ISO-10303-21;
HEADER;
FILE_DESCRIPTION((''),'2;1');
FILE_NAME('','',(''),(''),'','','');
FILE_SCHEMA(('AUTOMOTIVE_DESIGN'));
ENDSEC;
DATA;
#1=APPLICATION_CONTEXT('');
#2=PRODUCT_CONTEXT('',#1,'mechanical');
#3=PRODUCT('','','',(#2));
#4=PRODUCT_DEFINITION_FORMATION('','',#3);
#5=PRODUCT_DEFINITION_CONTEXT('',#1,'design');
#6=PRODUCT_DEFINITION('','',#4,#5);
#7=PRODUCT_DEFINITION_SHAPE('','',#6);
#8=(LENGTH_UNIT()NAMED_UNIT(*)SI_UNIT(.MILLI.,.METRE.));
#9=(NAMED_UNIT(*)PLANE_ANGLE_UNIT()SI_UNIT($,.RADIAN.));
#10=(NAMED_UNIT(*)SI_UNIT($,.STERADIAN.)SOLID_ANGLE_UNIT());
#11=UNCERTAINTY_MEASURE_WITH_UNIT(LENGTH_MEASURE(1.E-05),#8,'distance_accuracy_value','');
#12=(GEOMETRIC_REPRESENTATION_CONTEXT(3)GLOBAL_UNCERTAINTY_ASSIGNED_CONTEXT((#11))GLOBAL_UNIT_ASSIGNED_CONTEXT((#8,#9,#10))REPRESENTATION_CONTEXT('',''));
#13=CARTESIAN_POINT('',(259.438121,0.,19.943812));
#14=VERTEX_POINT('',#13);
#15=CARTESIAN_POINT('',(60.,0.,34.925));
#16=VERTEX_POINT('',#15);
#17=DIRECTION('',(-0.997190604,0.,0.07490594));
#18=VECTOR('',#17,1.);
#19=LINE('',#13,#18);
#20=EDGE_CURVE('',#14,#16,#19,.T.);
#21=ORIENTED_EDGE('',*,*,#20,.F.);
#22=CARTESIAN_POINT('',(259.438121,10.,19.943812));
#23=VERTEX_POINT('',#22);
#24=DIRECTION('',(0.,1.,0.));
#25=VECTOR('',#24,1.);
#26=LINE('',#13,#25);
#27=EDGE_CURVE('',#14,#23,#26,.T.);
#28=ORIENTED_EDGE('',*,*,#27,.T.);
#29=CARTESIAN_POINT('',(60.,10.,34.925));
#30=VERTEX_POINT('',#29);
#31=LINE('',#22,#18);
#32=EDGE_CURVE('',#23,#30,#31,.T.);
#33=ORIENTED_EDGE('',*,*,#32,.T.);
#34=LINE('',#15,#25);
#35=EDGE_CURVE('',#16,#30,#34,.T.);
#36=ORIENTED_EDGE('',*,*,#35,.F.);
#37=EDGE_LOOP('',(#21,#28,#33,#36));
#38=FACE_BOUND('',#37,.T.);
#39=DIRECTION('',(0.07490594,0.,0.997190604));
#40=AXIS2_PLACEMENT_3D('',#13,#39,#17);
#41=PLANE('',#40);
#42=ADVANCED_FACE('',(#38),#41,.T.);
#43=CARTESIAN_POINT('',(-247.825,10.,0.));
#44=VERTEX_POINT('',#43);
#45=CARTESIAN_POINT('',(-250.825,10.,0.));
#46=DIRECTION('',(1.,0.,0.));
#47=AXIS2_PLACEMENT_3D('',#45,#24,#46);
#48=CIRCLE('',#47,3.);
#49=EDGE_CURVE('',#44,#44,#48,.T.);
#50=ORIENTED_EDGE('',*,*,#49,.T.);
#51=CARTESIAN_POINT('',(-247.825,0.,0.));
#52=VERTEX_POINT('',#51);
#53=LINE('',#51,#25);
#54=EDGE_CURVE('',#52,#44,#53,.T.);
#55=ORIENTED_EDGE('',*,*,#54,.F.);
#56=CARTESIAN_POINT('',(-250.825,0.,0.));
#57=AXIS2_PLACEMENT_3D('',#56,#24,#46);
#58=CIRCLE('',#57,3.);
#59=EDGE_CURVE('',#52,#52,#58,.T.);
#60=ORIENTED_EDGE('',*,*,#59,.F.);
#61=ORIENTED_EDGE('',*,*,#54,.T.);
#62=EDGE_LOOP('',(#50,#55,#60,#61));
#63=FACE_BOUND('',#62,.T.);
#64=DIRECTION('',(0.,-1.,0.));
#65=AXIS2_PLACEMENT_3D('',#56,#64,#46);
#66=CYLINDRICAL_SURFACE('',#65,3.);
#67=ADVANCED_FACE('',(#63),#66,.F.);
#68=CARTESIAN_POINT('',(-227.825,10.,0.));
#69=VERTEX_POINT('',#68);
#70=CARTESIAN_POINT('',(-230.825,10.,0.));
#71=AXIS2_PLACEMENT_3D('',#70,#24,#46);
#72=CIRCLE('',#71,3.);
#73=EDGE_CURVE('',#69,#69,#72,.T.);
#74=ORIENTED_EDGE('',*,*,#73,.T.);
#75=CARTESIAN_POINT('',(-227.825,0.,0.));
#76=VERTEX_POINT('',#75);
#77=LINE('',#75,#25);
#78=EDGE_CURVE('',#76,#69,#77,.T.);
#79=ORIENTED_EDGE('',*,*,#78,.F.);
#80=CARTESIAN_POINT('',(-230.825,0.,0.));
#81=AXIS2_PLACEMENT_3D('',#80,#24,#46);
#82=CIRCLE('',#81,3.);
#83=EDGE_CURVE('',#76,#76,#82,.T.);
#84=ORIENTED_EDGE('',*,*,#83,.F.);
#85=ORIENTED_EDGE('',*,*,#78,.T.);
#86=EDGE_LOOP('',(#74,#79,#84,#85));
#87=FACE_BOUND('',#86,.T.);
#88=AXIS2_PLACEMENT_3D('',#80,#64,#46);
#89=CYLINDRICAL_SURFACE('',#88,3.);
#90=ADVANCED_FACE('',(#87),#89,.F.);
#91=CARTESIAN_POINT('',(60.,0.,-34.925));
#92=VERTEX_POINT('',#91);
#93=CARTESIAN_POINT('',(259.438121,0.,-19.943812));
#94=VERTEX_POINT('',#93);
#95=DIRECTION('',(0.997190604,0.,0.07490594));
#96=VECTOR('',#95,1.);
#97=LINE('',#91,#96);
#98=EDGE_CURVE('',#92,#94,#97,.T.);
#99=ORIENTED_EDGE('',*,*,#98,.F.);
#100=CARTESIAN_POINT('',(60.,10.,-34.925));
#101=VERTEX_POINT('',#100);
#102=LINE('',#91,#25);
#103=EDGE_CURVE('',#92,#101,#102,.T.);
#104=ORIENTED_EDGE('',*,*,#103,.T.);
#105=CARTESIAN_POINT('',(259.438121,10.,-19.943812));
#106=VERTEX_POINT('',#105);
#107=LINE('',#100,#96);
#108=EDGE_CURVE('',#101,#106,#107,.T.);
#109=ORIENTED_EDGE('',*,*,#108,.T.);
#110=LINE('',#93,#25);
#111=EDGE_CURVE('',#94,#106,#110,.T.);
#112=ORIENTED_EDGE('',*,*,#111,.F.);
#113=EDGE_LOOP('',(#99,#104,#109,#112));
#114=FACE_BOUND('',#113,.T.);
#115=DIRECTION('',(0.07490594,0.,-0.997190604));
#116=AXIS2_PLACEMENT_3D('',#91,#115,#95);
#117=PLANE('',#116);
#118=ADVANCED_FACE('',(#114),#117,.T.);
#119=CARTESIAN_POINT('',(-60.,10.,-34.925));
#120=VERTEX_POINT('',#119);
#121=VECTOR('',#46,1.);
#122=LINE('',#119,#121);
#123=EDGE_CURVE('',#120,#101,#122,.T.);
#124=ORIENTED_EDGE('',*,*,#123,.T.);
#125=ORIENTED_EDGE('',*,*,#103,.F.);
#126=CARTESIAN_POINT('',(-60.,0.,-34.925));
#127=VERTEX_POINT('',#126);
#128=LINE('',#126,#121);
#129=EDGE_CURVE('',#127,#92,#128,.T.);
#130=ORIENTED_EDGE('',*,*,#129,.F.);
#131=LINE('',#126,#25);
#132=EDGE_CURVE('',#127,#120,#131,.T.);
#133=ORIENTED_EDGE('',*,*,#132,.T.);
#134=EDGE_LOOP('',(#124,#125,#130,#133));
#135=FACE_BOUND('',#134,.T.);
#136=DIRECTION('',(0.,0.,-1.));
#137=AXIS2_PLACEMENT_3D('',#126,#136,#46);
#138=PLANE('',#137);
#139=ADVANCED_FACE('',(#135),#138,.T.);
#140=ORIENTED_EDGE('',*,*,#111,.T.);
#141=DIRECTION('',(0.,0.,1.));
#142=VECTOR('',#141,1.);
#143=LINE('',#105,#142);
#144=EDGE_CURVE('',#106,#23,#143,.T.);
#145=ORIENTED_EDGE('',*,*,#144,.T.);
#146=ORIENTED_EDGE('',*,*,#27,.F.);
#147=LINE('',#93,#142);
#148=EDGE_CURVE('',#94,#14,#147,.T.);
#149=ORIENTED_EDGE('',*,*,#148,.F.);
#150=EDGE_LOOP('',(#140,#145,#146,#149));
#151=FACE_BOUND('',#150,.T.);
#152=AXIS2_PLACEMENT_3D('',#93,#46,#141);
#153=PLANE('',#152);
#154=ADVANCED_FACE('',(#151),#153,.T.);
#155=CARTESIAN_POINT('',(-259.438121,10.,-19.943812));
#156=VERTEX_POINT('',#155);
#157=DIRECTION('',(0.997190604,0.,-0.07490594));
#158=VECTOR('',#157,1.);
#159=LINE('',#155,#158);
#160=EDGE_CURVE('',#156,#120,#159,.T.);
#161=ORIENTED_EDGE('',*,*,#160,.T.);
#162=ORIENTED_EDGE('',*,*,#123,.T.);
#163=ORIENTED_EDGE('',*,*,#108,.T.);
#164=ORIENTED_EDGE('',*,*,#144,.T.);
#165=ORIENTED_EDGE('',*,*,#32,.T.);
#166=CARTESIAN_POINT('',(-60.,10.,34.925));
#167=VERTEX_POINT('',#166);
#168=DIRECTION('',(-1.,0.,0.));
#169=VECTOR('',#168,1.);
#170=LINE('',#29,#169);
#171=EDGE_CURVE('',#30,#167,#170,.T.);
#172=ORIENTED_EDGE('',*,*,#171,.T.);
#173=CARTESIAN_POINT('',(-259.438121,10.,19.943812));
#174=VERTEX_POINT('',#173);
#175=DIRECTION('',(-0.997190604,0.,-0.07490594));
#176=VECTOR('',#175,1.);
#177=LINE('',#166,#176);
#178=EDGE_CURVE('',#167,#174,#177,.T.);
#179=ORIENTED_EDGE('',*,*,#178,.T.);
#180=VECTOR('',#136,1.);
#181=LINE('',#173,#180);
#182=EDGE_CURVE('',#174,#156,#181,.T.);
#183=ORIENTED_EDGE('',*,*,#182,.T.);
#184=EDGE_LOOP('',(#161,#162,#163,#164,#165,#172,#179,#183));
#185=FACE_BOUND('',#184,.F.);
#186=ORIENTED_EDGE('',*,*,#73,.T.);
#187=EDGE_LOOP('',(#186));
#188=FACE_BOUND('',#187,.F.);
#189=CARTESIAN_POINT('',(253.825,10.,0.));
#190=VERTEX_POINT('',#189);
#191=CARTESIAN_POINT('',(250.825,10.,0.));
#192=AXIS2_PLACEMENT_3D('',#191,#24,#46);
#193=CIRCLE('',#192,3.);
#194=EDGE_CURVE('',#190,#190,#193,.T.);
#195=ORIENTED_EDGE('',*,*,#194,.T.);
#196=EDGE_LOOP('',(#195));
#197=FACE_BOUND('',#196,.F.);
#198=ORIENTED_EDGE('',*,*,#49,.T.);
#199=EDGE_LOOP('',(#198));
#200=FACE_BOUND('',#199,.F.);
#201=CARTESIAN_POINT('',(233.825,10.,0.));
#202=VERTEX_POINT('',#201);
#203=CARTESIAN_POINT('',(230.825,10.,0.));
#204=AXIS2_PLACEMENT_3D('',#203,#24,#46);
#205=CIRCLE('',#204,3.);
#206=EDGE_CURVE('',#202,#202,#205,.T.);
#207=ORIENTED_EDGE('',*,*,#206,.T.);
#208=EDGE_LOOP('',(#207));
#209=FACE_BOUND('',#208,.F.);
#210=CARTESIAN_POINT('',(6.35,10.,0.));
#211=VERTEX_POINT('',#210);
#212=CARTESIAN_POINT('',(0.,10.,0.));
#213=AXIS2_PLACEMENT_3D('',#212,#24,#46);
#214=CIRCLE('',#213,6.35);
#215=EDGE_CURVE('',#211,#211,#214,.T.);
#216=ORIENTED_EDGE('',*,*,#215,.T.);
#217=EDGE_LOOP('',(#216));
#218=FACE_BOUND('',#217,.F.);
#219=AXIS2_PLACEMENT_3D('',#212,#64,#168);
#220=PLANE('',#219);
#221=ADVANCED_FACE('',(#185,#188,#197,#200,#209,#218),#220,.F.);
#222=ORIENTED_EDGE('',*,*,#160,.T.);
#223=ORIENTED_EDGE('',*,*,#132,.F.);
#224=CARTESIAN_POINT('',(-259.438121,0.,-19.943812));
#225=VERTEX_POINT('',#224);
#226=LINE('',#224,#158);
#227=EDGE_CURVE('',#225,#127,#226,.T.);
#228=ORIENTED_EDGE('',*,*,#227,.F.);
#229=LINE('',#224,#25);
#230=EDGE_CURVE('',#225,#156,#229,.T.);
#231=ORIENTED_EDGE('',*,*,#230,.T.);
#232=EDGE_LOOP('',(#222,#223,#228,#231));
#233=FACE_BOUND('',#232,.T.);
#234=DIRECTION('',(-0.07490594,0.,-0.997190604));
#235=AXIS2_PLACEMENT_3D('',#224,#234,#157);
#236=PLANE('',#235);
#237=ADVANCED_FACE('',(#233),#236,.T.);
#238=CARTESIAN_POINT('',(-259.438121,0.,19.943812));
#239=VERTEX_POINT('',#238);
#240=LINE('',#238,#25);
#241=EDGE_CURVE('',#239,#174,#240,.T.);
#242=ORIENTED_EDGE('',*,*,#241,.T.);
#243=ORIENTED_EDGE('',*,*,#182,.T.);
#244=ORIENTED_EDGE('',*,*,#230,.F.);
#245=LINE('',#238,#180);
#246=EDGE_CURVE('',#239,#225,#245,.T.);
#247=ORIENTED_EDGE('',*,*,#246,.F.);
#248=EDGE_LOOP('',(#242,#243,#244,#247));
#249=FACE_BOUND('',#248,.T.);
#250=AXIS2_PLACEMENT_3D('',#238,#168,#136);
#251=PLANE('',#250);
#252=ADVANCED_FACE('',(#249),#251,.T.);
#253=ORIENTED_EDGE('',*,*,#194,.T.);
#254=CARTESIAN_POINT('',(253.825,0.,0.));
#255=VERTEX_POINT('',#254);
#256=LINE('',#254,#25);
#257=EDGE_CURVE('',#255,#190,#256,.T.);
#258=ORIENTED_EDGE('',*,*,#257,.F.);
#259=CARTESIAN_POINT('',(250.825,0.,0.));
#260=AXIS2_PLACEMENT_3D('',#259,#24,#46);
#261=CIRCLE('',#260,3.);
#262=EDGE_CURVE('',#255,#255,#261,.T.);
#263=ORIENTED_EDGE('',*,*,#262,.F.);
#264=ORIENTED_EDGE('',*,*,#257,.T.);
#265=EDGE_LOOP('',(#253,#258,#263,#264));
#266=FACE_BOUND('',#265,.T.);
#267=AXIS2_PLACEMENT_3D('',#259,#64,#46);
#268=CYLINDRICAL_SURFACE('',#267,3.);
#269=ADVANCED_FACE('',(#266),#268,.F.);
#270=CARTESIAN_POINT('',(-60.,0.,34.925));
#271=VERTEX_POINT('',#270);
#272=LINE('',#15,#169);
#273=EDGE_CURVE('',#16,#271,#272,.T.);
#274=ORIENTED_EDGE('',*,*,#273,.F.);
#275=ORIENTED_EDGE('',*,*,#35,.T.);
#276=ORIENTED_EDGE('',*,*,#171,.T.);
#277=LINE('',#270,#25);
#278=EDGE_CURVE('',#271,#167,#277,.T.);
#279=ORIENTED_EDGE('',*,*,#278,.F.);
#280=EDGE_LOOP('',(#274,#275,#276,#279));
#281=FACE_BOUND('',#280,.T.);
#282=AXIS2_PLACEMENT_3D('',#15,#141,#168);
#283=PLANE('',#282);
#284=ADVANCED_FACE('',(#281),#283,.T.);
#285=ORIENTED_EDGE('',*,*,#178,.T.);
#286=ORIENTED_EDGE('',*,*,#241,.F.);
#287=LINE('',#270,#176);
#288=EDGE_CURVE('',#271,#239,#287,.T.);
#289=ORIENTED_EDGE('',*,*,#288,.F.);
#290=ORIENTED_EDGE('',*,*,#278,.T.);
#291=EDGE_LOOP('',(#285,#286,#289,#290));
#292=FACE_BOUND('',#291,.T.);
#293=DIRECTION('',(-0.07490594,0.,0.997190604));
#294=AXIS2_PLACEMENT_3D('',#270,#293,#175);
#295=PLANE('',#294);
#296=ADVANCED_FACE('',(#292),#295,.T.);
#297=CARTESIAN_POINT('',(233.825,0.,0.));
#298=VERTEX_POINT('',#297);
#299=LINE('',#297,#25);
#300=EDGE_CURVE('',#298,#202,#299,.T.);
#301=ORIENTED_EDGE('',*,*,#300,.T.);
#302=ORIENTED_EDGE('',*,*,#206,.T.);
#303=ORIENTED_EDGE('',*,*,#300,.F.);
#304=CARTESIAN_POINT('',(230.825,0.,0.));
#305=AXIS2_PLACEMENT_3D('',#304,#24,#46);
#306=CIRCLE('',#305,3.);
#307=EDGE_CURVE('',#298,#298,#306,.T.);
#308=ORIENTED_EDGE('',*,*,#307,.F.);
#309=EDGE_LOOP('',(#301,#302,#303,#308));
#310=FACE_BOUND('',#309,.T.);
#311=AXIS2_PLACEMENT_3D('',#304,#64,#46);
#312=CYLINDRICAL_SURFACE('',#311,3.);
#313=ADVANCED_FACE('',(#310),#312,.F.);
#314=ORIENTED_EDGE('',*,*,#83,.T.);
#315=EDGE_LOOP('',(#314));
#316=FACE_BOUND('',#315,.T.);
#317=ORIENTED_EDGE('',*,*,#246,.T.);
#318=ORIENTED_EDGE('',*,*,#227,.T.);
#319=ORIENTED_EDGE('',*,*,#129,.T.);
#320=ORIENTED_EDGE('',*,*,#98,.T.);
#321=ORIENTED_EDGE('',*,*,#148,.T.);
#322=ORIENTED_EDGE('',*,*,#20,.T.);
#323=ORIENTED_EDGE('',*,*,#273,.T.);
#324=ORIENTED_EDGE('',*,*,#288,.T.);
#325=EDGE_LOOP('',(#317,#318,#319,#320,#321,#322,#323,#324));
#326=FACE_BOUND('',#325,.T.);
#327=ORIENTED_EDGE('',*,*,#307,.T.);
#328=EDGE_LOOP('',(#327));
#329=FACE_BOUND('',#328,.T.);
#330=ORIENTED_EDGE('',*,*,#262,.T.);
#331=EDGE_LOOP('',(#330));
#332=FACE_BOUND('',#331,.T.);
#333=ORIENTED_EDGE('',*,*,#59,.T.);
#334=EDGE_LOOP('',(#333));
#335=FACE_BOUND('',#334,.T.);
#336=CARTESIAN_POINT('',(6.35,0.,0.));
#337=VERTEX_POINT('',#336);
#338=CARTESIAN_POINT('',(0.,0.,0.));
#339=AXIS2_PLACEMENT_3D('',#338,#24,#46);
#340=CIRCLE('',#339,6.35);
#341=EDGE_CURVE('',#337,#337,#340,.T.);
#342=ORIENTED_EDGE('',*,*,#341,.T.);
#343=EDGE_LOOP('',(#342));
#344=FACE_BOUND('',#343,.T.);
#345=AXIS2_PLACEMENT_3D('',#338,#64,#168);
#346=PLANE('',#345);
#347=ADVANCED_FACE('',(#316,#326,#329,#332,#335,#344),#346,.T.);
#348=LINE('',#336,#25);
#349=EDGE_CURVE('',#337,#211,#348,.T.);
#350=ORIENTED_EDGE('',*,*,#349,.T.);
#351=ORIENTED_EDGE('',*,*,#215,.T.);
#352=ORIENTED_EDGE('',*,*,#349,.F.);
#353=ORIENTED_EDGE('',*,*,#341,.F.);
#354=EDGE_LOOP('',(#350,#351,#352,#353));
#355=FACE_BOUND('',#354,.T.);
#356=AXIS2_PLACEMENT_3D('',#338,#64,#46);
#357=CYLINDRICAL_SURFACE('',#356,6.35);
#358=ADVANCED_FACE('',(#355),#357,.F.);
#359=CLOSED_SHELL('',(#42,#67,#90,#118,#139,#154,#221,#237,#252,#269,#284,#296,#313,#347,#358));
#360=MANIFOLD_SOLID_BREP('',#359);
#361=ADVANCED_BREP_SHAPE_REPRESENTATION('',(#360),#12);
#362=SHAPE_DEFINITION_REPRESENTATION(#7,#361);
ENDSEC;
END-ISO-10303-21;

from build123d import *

# Parameters (mm, degrees)
SKETCH1_R           = 3
SKETCH1_R_2         = 6.35
BOSS_EXTRUDE1_DEPTH = 10


with BuildPart() as part:
    # Sketch1 → Boss-Extrude1 (new body)
    with BuildSketch(Plane(origin=(0, 0, 0), x_dir=(1, 0, 0), z_dir=(0, 1, 0))):
        Polygon((-60, 34.925), (60, 34.925), (259.43812075, 19.943812075), (259.43812075, -19.943812075), (60, -34.925), (-60, -34.925), (-259.43812075, -19.943812075), (-259.43812075, 19.943812075), align=None)
        with Locations((-250.825, 0)):
            Circle(SKETCH1_R, mode=Mode.SUBTRACT)
        with Locations((250.825, 0)):
            Circle(SKETCH1_R, mode=Mode.SUBTRACT)
        Circle(SKETCH1_R_2, mode=Mode.SUBTRACT)
        with Locations((-230.825, 0)):
            Circle(SKETCH1_R, mode=Mode.SUBTRACT)
        with Locations((230.825, 0)):
            Circle(SKETCH1_R, mode=Mode.SUBTRACT)
    extrude(amount=BOSS_EXTRUDE1_DEPTH)


solid = part.part
